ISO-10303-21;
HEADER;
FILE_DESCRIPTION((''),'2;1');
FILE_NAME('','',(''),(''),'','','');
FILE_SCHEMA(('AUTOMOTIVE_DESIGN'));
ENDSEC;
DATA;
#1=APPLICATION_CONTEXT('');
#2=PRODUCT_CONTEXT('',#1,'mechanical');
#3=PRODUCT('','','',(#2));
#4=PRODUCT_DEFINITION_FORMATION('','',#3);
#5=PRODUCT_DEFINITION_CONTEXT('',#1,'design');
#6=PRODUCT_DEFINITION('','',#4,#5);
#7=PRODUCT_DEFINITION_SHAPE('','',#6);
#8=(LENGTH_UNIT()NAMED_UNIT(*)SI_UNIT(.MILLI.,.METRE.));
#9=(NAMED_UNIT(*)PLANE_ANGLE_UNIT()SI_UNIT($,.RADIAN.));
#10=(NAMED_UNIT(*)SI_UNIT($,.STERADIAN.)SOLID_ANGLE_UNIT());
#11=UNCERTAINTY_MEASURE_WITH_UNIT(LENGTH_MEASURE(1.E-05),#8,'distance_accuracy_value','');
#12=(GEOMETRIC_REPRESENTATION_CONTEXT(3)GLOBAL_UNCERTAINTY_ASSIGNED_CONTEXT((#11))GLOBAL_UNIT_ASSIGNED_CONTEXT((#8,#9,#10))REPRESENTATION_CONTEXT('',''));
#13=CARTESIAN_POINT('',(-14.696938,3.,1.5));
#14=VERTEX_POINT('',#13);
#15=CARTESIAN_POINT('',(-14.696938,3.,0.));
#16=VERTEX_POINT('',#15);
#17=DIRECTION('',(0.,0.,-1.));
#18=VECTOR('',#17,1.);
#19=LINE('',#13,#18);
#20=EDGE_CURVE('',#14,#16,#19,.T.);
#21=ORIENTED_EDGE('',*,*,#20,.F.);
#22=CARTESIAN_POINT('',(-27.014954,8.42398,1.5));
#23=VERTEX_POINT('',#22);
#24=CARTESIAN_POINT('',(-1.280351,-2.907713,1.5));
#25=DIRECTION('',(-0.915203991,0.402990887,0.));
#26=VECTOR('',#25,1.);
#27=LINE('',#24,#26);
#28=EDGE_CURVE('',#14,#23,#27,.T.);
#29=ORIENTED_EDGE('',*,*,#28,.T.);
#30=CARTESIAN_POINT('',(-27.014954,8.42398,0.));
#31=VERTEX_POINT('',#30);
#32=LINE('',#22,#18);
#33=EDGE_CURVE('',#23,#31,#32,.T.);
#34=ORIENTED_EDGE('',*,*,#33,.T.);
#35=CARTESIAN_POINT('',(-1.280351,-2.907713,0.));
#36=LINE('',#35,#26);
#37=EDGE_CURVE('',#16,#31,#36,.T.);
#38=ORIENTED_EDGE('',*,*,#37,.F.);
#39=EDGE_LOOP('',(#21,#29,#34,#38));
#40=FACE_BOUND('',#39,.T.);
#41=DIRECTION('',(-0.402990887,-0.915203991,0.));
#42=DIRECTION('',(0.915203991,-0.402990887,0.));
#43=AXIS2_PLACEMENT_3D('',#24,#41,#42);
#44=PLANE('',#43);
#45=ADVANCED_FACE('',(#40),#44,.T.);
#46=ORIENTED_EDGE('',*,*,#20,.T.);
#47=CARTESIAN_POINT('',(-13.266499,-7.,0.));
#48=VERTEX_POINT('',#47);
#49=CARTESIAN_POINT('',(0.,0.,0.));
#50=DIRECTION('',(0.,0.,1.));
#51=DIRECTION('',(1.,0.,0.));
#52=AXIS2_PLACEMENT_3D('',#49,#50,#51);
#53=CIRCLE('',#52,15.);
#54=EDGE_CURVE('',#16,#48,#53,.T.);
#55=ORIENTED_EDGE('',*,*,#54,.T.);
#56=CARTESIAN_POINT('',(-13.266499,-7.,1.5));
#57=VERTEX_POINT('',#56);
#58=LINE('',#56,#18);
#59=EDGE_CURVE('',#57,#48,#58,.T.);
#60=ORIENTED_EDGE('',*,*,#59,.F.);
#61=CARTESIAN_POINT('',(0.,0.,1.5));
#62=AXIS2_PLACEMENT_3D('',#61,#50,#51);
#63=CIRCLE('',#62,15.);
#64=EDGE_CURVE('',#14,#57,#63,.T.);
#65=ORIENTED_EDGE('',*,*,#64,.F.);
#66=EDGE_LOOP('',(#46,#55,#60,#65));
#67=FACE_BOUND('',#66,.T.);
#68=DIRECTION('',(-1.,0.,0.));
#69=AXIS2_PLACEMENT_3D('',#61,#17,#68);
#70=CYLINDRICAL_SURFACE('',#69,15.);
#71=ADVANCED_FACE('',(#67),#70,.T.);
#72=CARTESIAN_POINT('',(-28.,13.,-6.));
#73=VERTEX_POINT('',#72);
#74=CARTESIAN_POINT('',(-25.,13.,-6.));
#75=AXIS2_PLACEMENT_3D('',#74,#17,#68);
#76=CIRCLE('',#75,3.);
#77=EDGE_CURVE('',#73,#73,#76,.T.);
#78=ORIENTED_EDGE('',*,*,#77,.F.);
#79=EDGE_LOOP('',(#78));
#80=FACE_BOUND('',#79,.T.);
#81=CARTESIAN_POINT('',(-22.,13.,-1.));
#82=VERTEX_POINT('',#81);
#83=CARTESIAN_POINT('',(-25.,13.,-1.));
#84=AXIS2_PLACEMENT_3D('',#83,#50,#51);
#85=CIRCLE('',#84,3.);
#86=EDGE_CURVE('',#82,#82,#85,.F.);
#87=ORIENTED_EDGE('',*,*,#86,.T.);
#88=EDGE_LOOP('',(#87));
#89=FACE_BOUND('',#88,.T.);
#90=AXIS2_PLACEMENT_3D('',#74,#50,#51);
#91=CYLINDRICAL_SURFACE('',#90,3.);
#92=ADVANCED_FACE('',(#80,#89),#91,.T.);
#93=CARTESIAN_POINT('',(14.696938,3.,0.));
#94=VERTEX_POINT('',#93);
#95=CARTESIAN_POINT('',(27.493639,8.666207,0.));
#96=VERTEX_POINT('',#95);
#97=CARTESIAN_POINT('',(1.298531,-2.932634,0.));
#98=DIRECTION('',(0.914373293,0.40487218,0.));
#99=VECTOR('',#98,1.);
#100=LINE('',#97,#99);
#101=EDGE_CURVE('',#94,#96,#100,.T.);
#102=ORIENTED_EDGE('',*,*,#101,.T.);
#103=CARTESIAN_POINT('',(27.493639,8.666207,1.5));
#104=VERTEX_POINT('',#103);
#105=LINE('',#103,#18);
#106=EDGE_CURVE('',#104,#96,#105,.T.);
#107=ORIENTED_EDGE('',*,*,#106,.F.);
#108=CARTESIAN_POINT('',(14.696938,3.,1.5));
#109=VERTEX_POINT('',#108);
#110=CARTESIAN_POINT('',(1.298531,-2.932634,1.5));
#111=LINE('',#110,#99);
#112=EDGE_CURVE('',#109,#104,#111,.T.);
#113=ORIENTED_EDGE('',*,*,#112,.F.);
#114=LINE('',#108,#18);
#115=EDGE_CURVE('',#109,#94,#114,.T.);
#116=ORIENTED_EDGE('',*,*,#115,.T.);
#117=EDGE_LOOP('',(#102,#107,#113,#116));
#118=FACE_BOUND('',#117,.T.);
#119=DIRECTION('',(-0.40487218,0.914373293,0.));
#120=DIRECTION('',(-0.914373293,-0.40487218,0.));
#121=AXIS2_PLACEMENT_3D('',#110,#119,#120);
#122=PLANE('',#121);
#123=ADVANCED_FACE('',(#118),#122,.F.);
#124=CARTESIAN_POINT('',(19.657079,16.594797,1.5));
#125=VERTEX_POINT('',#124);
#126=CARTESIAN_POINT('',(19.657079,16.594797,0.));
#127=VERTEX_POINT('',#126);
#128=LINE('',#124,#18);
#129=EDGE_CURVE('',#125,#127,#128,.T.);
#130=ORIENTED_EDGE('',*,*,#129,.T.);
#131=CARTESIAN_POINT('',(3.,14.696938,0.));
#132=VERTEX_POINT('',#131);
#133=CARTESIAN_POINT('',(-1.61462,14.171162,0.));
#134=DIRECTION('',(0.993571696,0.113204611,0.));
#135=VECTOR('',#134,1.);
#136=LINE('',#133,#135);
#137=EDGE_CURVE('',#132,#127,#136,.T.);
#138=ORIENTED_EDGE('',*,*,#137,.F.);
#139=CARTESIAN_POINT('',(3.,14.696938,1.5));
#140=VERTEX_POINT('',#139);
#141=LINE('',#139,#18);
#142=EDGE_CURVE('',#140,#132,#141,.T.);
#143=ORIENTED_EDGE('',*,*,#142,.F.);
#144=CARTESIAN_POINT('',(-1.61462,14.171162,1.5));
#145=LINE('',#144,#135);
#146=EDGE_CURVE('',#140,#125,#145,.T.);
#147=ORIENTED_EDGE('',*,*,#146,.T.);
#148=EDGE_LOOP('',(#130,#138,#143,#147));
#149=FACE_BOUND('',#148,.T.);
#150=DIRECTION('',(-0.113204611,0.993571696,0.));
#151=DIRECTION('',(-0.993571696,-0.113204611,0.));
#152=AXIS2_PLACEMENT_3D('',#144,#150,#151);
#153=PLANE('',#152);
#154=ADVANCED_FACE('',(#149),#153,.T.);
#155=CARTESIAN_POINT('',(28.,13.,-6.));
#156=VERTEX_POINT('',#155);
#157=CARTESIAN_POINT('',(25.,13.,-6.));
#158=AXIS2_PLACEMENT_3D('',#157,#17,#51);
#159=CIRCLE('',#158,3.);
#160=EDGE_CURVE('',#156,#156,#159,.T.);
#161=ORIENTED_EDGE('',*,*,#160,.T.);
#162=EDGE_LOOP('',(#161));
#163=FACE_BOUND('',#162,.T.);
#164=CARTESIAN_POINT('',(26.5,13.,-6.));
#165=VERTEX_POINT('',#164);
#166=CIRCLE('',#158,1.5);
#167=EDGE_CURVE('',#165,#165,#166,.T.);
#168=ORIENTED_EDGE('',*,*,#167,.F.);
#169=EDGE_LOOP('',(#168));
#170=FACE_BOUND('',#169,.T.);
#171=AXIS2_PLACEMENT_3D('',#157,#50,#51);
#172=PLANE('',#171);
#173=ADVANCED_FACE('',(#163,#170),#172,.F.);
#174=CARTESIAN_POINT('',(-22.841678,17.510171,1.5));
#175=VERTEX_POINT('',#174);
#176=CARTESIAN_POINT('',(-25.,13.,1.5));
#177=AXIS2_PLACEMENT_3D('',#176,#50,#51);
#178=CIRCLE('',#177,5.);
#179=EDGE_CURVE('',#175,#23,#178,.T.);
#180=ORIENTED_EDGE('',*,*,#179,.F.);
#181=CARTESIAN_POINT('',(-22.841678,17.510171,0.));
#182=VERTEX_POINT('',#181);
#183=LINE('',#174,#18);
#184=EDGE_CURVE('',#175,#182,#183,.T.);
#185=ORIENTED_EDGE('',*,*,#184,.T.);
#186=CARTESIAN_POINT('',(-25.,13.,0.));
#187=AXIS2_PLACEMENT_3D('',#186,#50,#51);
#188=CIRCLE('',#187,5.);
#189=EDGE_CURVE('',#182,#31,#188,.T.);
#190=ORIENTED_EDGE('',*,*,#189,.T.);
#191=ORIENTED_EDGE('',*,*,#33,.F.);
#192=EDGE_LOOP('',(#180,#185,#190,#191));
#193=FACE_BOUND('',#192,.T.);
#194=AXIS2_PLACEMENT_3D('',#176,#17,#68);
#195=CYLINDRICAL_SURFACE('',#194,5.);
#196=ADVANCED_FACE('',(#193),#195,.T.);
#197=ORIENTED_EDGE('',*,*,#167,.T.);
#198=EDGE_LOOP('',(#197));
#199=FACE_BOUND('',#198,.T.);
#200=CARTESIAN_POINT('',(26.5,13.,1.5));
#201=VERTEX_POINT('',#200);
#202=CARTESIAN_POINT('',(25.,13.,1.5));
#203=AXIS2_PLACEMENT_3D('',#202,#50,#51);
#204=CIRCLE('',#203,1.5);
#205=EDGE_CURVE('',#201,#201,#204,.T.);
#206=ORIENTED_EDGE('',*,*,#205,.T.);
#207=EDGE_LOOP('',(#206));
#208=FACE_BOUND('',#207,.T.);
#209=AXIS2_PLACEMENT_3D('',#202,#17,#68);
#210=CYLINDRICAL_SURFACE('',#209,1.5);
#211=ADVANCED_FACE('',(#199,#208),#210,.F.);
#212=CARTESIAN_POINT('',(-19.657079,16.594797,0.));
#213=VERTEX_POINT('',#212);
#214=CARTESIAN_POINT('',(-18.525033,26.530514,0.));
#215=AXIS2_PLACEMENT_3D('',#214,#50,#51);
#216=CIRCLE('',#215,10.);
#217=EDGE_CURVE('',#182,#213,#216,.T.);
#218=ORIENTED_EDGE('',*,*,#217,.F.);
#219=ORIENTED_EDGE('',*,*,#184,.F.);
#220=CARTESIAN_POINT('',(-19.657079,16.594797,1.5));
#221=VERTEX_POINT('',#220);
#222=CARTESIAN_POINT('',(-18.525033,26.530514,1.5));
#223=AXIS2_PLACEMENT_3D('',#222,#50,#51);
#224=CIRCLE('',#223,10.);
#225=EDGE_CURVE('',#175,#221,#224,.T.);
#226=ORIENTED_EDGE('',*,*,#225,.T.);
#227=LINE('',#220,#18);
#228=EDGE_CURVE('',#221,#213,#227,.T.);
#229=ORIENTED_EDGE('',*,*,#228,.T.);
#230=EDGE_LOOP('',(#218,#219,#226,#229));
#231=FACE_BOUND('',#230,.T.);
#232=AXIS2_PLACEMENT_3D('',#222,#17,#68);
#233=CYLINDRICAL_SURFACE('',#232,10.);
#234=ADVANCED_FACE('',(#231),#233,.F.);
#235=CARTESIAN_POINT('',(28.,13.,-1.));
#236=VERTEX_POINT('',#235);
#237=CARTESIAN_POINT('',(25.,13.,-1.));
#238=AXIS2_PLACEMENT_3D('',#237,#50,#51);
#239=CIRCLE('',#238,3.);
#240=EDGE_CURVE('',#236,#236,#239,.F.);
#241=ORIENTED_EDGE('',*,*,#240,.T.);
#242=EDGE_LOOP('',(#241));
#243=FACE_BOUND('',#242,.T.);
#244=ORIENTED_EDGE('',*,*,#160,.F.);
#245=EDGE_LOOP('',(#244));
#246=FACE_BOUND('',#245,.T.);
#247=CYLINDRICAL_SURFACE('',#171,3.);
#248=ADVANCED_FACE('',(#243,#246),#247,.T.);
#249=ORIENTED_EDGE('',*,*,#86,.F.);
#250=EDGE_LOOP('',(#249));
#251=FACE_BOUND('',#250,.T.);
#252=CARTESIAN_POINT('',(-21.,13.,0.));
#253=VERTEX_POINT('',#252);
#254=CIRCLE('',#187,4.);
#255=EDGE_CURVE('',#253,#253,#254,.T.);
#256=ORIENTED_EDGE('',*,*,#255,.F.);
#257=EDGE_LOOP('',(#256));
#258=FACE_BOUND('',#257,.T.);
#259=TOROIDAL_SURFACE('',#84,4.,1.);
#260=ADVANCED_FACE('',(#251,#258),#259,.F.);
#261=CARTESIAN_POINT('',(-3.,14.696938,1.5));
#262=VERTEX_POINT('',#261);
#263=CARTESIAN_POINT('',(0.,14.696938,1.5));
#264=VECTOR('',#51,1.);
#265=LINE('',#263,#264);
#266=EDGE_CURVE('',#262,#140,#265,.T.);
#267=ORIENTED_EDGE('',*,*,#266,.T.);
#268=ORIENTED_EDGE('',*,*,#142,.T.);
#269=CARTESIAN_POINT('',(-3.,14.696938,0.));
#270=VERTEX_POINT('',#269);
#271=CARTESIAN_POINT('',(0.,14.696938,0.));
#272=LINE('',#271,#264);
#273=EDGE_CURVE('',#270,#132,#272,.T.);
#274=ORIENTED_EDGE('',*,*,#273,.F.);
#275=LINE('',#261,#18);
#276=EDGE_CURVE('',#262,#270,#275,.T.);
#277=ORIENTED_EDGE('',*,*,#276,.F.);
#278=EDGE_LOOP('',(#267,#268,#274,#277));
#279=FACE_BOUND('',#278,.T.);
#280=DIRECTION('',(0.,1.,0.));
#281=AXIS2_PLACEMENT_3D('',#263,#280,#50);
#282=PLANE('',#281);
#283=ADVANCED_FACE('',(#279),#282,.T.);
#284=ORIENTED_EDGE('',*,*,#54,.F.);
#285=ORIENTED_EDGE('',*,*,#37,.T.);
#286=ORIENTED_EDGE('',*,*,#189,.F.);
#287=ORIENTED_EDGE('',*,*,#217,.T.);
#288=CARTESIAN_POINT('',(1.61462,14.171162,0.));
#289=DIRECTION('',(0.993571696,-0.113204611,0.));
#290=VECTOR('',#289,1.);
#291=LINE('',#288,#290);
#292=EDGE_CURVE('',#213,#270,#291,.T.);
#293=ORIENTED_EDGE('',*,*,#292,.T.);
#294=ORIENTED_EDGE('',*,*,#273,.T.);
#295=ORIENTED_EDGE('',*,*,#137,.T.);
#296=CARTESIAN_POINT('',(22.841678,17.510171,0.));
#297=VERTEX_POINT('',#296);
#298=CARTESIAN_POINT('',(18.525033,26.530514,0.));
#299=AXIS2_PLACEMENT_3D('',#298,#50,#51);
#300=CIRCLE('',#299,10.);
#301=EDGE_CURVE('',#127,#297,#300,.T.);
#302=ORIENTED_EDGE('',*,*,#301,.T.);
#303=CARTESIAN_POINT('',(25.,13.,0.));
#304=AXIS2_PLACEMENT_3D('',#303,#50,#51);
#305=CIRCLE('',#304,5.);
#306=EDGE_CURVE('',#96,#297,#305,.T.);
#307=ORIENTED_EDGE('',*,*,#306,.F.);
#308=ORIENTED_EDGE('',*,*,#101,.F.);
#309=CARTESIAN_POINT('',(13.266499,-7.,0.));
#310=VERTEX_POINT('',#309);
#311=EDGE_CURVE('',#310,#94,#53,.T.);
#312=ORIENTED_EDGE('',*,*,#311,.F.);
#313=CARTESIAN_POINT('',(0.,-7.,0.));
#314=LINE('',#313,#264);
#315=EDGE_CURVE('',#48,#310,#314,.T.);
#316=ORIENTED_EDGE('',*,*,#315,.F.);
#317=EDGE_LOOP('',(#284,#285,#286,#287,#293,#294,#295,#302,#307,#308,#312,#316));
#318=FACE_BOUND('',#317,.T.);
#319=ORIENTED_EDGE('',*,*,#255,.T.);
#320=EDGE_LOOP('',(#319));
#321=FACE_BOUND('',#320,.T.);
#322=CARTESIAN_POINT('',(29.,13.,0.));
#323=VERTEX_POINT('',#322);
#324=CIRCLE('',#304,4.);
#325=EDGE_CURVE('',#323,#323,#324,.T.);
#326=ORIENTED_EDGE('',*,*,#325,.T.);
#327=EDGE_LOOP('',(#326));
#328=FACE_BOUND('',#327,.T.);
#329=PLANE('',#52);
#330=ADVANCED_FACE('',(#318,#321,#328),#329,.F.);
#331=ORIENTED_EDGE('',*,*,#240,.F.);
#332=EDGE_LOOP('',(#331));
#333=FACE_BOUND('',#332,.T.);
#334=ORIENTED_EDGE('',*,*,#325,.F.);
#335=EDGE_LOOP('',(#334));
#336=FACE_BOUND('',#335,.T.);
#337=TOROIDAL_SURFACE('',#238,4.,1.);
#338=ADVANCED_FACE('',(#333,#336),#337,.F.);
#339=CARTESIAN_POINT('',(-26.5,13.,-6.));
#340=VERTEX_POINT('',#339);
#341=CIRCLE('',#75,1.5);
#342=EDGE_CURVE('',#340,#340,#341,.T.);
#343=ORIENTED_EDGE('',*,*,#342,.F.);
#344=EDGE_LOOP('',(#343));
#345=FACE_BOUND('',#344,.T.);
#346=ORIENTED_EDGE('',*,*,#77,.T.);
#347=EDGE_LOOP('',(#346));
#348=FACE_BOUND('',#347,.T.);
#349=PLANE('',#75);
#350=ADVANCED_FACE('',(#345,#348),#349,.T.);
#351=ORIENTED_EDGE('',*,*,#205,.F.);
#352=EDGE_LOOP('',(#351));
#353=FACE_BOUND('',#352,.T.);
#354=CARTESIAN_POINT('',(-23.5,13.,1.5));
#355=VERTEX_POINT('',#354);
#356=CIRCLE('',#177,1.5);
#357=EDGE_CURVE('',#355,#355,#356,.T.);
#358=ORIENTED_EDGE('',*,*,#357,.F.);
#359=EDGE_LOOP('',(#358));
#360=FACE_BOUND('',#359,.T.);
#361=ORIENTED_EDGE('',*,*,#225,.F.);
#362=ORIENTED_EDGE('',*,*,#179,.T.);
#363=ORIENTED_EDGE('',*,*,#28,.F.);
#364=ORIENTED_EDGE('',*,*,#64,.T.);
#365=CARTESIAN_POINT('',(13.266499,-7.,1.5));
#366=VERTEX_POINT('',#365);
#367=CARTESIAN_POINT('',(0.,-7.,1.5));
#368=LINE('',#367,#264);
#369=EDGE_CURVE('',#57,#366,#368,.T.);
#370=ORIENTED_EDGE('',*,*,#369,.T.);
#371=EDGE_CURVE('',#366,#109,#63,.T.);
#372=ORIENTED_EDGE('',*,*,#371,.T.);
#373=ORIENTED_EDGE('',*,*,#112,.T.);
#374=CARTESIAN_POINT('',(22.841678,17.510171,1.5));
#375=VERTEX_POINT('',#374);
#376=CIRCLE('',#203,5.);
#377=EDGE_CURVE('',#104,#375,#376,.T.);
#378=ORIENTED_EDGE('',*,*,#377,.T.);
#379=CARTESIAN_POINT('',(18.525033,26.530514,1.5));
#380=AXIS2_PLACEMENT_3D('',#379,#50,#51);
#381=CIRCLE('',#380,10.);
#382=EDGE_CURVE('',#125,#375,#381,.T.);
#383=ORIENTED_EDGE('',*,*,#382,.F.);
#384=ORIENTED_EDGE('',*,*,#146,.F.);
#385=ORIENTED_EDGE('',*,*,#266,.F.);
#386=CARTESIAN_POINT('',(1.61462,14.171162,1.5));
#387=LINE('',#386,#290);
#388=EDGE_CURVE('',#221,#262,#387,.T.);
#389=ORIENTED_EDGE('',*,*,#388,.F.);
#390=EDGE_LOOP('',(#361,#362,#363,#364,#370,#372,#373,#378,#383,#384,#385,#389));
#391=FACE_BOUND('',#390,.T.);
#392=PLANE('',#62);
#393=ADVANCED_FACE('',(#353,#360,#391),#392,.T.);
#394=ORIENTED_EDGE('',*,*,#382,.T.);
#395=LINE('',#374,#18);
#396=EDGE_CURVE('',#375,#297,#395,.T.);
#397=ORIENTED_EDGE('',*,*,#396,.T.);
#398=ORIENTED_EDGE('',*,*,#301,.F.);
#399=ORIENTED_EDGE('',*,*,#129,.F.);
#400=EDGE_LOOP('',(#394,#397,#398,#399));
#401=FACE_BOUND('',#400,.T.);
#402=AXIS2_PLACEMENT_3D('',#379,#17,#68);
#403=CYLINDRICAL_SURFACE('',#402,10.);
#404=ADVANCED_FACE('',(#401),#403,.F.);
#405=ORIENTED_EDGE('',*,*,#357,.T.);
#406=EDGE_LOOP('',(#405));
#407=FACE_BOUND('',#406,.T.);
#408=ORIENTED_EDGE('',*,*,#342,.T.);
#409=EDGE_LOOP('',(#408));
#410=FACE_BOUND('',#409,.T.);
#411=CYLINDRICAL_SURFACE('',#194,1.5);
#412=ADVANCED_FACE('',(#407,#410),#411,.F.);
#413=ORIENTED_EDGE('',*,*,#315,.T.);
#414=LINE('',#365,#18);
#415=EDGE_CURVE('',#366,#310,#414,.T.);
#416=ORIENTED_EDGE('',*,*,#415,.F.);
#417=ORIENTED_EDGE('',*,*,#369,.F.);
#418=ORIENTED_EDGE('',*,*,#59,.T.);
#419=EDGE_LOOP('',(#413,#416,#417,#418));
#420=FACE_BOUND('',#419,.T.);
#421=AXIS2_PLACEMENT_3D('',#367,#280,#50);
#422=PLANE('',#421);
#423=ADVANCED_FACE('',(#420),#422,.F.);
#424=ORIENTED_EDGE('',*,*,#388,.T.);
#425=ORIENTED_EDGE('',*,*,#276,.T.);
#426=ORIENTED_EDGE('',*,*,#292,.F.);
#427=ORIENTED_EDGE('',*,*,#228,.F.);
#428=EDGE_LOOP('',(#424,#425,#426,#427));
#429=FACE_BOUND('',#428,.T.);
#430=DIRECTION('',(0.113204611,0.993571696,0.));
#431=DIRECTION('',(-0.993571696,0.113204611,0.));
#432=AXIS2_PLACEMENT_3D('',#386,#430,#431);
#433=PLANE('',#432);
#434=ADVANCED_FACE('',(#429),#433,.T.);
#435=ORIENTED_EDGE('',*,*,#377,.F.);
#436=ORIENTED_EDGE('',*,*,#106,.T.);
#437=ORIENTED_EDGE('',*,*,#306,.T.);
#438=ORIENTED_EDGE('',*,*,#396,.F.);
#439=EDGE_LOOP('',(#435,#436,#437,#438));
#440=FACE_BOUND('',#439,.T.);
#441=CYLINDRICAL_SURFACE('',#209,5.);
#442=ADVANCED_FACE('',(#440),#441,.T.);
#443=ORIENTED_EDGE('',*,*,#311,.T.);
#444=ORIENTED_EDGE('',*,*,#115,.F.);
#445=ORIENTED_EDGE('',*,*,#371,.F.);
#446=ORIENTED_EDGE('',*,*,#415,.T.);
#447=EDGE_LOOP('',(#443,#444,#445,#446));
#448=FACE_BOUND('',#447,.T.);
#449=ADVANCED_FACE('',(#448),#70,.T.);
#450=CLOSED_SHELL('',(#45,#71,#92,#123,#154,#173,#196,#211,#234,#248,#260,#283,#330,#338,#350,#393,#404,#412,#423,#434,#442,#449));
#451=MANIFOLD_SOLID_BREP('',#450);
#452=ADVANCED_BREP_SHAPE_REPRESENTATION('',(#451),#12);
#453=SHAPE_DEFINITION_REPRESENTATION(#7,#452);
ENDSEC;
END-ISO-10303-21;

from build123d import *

# Parameters (mm, degrees)
SKETCH_1_R      = 1.5
EXTRUDE_1_DEPTH = 1.5
SKETCH_4_R      = 3
SKETCH_4_R_2    = 1.5
EXTRUDE_2_DEPTH = 6
FILLET_1_R      = 1


with BuildPart() as part:
    # Эскиз1 → Бобышка-Вытянуть1 (new body)
    with BuildSketch(Plane.XY):
        with BuildLine():
            ThreePointArc((-14.696938457, 3), (-14.848853857, -2.124038405), (-13.266499161, -7))
            Line((-13.266499161, -7), (13.266499161, -7))
            ThreePointArc((13.266499161, -7), (14.848853857, -2.124038405), (14.696938457, 3))
            Line((14.696938457, 3), (27.493638863, 8.666206601))
            ThreePointArc((27.493638863, 8.666206601), (29.425159504, 15.327651899), (22.841677521, 17.51017118))
            ThreePointArc((22.841677521, 17.51017118), (21.287556094, 16.919662188), (19.657078674, 16.594796577))
            Line((19.657078674, 16.594796577), (3, 14.696938457))
            Line((3, 14.696938457), (-3, 14.696938457))
            Line((-3, 14.696938457), (-19.657078674, 16.594796577))
            ThreePointArc((-19.657078674, 16.594796577), (-21.287556094, 16.919662188), (-22.841677521, 17.51017118))
            ThreePointArc((-22.841677521, 17.51017118), (-29.543661072, 15.086898192), (-27.014954435, 8.423980045))
            Line((-27.014954435, 8.423980045), (-14.696938457, 3))
        make_face()
        with Locations((-25, 13)):
            Circle(SKETCH_1_R, mode=Mode.SUBTRACT)
        with Locations((25, 13)):
            Circle(SKETCH_1_R, mode=Mode.SUBTRACT)
    extrude(amount=EXTRUDE_1_DEPTH)

    # Эскиз4 → Бобышка-Вытянуть2 (add)
    with BuildSketch(Plane(origin=(0, 0, 0), x_dir=(-1, 0, 0), z_dir=(0, 0, -1))):
        with Locations((25, 13)):
            Circle(SKETCH_4_R)
        with Locations((25, 13)):
            Circle(SKETCH_4_R_2, mode=Mode.SUBTRACT)
        with Locations((-25, 13)):
            Circle(SKETCH_4_R)
        with Locations((-25, 13)):
            Circle(SKETCH_4_R_2, mode=Mode.SUBTRACT)
    extrude(amount=EXTRUDE_2_DEPTH)

    # Скругление1
    fillet_1_edges = [part.edges().sort_by_distance(p)[0] for p in [
        (-22, 13, 0),
        (28, 13, 0),
    ]]
    fillet(fillet_1_edges, radius=FILLET_1_R)


solid = part.part
